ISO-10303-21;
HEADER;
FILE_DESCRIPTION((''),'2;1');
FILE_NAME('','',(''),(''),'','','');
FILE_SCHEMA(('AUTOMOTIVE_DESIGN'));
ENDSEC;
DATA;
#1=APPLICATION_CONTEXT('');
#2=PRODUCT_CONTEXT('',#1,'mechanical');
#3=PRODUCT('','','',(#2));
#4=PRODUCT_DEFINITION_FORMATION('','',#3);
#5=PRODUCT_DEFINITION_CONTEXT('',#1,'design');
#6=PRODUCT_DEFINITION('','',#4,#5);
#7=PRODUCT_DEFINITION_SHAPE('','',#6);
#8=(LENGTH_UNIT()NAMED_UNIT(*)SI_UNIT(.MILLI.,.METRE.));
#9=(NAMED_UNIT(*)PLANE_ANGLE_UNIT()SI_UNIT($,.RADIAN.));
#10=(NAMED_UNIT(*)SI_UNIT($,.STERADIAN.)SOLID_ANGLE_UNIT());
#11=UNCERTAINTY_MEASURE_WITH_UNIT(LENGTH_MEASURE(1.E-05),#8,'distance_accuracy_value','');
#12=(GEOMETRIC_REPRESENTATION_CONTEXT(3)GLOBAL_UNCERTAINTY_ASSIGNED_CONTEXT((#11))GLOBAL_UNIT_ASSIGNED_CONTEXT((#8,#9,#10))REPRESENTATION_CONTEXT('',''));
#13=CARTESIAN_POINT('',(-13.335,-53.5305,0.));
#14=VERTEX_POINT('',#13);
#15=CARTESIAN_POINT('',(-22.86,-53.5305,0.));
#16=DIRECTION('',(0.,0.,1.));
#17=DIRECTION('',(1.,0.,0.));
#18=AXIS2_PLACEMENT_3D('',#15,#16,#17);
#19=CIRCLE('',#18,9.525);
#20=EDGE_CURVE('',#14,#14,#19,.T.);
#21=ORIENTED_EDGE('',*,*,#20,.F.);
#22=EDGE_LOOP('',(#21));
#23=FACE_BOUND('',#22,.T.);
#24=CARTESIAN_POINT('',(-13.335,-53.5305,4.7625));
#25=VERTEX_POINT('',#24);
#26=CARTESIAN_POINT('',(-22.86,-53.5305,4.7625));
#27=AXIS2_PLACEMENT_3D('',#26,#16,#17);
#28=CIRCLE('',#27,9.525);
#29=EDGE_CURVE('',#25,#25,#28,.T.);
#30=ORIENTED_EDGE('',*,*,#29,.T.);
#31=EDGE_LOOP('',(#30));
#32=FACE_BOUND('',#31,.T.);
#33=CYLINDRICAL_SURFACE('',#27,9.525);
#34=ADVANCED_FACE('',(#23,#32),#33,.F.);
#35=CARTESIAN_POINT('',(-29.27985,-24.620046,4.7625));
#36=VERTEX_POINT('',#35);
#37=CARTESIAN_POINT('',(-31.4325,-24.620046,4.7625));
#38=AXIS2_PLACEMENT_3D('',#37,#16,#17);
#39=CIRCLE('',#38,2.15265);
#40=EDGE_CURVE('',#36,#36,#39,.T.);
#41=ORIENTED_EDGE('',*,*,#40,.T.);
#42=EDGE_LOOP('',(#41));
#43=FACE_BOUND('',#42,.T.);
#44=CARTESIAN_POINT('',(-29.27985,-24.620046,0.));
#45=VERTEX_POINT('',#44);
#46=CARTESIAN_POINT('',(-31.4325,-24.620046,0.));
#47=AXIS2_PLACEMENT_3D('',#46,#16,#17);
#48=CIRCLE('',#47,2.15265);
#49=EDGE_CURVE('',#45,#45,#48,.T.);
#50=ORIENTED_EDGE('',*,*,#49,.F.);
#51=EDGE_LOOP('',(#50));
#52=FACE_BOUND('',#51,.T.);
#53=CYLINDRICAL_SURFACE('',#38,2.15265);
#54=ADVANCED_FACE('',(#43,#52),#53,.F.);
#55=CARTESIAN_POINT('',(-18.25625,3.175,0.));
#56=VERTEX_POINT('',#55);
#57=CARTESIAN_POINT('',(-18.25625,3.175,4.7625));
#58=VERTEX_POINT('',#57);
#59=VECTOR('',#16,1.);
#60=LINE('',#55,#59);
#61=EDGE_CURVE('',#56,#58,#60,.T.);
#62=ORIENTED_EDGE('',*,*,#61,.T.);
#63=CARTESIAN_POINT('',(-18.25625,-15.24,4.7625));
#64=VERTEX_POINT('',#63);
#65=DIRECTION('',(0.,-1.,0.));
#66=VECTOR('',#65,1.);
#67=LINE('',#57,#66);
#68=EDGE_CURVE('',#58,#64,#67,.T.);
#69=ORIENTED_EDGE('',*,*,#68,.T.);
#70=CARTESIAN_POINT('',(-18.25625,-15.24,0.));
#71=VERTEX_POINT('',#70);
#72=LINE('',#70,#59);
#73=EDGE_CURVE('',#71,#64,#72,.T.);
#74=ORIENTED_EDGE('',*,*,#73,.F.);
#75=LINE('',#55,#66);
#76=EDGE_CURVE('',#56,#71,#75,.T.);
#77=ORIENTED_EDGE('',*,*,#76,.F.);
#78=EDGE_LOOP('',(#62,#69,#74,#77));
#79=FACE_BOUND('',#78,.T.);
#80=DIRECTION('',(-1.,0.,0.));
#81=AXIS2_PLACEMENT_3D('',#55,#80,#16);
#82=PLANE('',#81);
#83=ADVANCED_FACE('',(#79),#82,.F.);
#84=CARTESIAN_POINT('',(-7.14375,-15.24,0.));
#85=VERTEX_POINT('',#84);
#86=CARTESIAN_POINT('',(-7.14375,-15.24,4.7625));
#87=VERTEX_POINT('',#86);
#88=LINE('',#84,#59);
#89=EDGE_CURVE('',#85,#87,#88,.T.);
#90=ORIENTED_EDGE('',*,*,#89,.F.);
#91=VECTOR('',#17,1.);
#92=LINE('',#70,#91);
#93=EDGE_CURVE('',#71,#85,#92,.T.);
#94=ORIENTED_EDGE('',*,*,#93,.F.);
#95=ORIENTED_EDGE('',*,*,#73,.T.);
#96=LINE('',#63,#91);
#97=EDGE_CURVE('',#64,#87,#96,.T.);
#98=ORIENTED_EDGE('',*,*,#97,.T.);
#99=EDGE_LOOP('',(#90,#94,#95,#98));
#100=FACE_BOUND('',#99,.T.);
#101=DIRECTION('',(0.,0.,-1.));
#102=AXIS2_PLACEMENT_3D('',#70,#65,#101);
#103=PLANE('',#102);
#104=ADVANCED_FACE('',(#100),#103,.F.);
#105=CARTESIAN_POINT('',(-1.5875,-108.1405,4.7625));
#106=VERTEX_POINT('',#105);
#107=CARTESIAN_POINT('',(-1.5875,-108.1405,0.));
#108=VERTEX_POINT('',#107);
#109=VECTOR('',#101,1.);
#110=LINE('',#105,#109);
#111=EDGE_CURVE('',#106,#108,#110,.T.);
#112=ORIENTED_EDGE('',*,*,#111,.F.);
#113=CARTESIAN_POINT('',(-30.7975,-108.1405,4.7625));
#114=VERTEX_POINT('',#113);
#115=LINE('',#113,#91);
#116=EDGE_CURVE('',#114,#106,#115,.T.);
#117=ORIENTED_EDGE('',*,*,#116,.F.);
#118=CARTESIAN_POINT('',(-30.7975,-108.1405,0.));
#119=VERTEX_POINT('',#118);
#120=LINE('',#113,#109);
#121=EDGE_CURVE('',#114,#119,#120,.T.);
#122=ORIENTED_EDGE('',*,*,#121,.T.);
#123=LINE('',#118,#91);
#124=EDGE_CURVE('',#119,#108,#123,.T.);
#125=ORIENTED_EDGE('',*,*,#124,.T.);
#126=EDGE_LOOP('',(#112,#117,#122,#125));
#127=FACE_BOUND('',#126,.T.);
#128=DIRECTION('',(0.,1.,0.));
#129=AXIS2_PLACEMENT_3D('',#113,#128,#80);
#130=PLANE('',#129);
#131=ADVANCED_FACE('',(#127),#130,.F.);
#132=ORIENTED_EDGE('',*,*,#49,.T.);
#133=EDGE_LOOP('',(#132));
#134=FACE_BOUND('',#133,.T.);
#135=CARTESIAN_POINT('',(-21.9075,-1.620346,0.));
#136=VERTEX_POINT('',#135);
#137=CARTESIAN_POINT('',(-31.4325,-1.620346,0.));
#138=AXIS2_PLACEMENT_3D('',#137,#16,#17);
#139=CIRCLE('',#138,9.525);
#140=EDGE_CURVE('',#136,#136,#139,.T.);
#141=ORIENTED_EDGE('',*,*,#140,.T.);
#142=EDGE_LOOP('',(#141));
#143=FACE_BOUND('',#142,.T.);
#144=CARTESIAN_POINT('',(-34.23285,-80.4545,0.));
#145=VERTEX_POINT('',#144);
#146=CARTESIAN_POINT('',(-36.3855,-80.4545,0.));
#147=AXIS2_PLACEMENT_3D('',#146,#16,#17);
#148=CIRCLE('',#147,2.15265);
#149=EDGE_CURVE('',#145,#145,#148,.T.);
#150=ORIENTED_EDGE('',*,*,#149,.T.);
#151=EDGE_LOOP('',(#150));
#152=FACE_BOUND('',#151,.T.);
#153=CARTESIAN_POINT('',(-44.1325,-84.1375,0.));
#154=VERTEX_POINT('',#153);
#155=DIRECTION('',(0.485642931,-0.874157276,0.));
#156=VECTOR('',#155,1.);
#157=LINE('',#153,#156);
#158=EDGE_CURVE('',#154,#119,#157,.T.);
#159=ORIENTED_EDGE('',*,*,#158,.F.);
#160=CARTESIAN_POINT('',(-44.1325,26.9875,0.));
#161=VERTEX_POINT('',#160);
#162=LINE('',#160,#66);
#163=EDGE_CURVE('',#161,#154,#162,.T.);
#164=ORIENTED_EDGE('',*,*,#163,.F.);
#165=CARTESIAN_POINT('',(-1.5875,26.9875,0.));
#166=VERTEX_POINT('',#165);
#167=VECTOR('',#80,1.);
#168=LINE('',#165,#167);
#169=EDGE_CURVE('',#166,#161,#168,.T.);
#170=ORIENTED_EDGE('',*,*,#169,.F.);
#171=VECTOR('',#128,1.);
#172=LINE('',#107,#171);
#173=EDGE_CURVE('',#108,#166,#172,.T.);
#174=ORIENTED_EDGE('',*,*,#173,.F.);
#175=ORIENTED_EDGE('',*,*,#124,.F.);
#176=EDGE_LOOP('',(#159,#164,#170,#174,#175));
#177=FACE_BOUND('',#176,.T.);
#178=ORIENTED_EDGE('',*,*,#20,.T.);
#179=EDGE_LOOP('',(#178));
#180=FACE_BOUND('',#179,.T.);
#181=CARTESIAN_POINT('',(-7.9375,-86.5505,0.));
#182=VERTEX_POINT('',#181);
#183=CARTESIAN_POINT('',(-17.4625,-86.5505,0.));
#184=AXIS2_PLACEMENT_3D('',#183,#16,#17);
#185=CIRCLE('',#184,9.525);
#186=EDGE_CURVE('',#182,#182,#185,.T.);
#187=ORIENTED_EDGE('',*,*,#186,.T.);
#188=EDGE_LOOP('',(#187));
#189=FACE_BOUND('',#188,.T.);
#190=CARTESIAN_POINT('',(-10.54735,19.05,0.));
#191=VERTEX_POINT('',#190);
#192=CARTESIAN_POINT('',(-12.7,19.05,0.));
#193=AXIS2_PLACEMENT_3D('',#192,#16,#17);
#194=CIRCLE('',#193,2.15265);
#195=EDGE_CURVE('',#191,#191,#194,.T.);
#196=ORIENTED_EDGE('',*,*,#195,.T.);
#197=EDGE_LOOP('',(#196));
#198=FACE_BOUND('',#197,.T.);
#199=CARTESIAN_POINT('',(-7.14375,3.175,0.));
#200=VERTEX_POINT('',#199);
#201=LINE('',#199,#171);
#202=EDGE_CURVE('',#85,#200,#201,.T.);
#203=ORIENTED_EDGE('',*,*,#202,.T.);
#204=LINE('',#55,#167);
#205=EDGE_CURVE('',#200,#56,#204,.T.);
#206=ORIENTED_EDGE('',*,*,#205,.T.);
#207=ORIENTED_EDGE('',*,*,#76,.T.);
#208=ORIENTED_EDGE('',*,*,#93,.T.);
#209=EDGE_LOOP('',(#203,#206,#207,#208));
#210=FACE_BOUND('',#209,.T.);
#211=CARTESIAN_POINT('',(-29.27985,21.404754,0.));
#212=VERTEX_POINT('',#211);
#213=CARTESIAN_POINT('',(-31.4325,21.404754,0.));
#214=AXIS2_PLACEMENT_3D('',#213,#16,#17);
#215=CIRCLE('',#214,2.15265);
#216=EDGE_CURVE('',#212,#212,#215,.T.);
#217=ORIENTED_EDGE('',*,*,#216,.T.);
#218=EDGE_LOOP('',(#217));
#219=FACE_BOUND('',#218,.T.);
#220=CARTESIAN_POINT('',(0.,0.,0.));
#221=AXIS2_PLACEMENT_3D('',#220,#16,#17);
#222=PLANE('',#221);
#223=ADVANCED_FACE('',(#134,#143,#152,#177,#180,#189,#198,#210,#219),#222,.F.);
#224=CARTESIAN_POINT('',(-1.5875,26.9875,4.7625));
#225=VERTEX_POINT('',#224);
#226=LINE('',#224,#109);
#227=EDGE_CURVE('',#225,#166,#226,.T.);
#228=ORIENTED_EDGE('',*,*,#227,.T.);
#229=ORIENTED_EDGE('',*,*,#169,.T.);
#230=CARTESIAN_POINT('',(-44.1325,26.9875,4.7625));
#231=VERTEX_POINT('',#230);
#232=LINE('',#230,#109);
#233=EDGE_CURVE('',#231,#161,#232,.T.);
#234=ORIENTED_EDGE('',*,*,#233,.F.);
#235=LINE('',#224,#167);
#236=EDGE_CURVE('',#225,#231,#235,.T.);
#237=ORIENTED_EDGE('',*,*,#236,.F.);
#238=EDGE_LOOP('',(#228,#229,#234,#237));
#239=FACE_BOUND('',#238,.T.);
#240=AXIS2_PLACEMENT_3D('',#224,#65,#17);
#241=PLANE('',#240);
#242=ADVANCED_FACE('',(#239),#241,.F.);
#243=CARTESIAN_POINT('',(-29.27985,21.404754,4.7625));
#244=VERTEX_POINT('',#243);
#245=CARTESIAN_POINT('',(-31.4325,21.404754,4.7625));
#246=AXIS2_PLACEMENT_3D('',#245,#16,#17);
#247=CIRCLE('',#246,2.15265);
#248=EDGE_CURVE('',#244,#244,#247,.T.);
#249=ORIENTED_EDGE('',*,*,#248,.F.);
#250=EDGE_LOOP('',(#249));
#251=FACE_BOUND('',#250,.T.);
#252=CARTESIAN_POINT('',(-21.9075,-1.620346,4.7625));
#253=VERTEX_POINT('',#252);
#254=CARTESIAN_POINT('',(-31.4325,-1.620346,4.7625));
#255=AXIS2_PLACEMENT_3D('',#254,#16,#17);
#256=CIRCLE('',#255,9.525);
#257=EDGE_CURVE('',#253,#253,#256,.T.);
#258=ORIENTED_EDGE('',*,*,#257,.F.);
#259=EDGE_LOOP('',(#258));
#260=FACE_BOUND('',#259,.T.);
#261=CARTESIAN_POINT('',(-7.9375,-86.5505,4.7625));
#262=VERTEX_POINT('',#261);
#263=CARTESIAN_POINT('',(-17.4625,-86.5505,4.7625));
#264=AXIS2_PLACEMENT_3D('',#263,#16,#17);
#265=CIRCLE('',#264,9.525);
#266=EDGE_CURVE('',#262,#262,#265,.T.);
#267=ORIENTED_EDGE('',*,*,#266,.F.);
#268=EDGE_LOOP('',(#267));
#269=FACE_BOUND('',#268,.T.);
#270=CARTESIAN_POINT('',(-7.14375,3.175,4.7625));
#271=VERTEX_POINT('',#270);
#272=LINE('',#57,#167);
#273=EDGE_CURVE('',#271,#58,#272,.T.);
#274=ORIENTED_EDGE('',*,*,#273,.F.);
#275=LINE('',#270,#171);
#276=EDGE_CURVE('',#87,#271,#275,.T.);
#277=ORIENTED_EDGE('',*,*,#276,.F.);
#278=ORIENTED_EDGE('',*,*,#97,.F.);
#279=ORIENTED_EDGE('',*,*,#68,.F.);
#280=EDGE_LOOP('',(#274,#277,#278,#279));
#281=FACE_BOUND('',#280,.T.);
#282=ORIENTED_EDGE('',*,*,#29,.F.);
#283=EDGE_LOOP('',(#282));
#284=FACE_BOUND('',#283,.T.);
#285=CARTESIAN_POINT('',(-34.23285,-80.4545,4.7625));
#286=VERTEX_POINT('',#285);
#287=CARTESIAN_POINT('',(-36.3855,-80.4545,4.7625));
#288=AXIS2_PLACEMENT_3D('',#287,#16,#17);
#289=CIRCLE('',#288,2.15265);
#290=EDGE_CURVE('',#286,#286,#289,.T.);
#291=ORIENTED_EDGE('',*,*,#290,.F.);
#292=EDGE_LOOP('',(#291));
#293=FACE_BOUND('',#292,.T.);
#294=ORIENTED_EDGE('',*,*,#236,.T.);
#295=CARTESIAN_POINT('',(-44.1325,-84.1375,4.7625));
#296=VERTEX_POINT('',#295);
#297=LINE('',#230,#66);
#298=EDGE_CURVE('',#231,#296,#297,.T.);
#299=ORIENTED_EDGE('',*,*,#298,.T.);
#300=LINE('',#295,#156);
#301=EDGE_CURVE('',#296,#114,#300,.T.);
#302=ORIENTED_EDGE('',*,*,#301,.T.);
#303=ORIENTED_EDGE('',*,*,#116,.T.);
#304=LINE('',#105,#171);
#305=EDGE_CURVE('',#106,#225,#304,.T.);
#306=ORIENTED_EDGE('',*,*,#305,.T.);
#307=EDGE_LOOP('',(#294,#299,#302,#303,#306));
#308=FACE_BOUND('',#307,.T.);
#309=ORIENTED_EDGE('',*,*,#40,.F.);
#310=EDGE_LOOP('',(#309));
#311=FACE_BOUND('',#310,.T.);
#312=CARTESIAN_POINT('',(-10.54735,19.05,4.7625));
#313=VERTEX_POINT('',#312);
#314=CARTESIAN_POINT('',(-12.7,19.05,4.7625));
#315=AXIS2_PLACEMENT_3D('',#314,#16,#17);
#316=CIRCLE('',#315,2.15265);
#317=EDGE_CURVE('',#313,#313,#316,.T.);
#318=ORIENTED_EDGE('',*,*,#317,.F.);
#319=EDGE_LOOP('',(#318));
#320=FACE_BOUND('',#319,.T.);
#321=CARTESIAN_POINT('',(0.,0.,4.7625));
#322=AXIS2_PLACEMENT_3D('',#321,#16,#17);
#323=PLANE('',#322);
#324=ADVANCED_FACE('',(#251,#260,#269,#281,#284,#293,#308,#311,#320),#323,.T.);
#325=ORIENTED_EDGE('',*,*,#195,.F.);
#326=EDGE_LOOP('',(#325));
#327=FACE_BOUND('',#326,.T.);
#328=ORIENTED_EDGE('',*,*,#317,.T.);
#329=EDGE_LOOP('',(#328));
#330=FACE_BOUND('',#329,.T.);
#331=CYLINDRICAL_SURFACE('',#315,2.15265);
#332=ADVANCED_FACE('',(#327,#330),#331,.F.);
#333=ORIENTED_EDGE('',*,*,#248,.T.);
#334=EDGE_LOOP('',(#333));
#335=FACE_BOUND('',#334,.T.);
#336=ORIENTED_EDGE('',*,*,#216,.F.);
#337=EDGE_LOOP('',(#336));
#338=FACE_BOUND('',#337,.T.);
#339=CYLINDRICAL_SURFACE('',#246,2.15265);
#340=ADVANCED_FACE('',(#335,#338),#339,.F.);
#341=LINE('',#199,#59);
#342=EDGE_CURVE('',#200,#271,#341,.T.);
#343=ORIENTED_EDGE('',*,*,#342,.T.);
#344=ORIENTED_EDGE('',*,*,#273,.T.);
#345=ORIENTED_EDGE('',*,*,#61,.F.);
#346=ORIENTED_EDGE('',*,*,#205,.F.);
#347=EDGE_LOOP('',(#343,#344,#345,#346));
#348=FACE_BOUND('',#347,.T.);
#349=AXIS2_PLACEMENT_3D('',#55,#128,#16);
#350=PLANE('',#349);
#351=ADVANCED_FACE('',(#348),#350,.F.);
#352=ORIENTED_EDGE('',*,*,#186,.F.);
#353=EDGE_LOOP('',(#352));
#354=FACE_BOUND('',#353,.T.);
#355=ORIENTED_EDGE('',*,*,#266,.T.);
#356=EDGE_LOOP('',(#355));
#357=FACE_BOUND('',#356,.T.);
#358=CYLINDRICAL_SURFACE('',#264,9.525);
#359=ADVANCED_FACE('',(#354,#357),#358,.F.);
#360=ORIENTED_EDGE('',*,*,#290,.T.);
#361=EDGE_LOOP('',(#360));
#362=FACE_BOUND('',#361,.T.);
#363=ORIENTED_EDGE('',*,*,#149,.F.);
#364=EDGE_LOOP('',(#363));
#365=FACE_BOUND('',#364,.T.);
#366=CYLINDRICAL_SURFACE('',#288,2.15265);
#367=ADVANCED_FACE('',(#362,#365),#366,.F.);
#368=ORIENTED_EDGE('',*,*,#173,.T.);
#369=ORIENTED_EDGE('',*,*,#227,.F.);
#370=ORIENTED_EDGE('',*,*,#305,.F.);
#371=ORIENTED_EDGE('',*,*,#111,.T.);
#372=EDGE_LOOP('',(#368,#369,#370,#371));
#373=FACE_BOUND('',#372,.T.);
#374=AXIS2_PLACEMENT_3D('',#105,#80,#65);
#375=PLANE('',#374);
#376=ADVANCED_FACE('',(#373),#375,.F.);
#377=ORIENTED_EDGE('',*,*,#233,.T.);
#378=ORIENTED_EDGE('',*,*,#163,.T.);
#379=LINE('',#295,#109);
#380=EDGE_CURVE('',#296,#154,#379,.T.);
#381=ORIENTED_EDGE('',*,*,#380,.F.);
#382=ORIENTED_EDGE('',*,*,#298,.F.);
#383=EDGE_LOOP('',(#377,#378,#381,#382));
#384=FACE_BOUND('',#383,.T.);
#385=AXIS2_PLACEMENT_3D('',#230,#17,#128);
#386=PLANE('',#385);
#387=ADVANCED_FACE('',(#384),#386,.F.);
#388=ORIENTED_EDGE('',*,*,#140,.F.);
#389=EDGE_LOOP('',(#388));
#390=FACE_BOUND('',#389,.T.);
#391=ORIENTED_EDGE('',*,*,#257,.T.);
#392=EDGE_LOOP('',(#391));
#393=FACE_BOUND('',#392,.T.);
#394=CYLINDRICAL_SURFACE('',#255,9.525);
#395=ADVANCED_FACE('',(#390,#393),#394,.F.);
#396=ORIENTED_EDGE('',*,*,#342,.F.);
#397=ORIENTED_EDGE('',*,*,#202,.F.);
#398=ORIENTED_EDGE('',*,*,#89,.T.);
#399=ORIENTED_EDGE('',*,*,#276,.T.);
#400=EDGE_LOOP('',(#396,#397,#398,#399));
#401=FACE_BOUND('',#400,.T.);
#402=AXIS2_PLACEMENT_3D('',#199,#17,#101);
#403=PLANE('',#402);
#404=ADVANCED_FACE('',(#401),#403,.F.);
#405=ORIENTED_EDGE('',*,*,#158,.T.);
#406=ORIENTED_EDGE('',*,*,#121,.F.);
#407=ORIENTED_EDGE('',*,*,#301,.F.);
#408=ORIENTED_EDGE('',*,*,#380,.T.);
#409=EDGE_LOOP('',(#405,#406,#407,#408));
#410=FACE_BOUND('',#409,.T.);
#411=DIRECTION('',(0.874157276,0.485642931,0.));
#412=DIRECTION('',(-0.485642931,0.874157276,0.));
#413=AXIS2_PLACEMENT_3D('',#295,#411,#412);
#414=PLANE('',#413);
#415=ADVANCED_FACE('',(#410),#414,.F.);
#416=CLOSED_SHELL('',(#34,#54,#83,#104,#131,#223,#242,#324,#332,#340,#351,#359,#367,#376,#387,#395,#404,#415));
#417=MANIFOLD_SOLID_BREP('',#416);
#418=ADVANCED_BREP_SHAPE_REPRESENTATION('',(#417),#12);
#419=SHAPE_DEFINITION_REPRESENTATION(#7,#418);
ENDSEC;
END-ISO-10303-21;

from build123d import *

# Parameters (mm, degrees)
BOSS_EXTRUDE1_DEPTH         = 4.7625
F_3_4_0_75_DIAMETER_HOLE1_D = 19.05
SKETCH4_W                   = 11.1125
SKETCH4_H                   = 18.415
CUT_EXTRUDE1_DEPTH          = 5.7625
F_6_CLEARANCE_HOLE1_D       = 4.3053


with BuildPart() as part:
    # Sketch1 → Boss-Extrude1 (new body)
    with BuildSketch(Plane.XY):
        Polygon((-44.1325, -84.1375), (-30.7975, -108.1405), (-1.5875, -108.1405), (-1.5875, 26.9875), (-44.1325, 26.9875), align=None)
    extrude(amount=BOSS_EXTRUDE1_DEPTH)

    # 3/4 (0.75) Diameter Hole1 (through all)
    with Locations(Plane.XY.offset(4.7625)):
        with Locations((-31.4325, -1.620345612), (-17.4625, -86.5505), (-22.86, -53.5305)):
            Hole(F_3_4_0_75_DIAMETER_HOLE1_D / 2)

    # Sketch4 → Cut-Extrude1 (cut, through all)
    with BuildSketch(Plane.XY.offset(4.7625)):
        with Locations((-12.7, -6.0325)):
            Rectangle(SKETCH4_W, SKETCH4_H)
    extrude(amount=-CUT_EXTRUDE1_DEPTH, mode=Mode.SUBTRACT)

    # #6 Clearance Hole1 (through all)
    with Locations(Plane.XY.offset(4.7625)):
        with Locations((-36.3855, -80.4545), (-12.7, 19.05), (-31.4325, 21.404754388), (-31.4325, -24.620045612)):
            Hole(F_6_CLEARANCE_HOLE1_D / 2)


solid = part.part
